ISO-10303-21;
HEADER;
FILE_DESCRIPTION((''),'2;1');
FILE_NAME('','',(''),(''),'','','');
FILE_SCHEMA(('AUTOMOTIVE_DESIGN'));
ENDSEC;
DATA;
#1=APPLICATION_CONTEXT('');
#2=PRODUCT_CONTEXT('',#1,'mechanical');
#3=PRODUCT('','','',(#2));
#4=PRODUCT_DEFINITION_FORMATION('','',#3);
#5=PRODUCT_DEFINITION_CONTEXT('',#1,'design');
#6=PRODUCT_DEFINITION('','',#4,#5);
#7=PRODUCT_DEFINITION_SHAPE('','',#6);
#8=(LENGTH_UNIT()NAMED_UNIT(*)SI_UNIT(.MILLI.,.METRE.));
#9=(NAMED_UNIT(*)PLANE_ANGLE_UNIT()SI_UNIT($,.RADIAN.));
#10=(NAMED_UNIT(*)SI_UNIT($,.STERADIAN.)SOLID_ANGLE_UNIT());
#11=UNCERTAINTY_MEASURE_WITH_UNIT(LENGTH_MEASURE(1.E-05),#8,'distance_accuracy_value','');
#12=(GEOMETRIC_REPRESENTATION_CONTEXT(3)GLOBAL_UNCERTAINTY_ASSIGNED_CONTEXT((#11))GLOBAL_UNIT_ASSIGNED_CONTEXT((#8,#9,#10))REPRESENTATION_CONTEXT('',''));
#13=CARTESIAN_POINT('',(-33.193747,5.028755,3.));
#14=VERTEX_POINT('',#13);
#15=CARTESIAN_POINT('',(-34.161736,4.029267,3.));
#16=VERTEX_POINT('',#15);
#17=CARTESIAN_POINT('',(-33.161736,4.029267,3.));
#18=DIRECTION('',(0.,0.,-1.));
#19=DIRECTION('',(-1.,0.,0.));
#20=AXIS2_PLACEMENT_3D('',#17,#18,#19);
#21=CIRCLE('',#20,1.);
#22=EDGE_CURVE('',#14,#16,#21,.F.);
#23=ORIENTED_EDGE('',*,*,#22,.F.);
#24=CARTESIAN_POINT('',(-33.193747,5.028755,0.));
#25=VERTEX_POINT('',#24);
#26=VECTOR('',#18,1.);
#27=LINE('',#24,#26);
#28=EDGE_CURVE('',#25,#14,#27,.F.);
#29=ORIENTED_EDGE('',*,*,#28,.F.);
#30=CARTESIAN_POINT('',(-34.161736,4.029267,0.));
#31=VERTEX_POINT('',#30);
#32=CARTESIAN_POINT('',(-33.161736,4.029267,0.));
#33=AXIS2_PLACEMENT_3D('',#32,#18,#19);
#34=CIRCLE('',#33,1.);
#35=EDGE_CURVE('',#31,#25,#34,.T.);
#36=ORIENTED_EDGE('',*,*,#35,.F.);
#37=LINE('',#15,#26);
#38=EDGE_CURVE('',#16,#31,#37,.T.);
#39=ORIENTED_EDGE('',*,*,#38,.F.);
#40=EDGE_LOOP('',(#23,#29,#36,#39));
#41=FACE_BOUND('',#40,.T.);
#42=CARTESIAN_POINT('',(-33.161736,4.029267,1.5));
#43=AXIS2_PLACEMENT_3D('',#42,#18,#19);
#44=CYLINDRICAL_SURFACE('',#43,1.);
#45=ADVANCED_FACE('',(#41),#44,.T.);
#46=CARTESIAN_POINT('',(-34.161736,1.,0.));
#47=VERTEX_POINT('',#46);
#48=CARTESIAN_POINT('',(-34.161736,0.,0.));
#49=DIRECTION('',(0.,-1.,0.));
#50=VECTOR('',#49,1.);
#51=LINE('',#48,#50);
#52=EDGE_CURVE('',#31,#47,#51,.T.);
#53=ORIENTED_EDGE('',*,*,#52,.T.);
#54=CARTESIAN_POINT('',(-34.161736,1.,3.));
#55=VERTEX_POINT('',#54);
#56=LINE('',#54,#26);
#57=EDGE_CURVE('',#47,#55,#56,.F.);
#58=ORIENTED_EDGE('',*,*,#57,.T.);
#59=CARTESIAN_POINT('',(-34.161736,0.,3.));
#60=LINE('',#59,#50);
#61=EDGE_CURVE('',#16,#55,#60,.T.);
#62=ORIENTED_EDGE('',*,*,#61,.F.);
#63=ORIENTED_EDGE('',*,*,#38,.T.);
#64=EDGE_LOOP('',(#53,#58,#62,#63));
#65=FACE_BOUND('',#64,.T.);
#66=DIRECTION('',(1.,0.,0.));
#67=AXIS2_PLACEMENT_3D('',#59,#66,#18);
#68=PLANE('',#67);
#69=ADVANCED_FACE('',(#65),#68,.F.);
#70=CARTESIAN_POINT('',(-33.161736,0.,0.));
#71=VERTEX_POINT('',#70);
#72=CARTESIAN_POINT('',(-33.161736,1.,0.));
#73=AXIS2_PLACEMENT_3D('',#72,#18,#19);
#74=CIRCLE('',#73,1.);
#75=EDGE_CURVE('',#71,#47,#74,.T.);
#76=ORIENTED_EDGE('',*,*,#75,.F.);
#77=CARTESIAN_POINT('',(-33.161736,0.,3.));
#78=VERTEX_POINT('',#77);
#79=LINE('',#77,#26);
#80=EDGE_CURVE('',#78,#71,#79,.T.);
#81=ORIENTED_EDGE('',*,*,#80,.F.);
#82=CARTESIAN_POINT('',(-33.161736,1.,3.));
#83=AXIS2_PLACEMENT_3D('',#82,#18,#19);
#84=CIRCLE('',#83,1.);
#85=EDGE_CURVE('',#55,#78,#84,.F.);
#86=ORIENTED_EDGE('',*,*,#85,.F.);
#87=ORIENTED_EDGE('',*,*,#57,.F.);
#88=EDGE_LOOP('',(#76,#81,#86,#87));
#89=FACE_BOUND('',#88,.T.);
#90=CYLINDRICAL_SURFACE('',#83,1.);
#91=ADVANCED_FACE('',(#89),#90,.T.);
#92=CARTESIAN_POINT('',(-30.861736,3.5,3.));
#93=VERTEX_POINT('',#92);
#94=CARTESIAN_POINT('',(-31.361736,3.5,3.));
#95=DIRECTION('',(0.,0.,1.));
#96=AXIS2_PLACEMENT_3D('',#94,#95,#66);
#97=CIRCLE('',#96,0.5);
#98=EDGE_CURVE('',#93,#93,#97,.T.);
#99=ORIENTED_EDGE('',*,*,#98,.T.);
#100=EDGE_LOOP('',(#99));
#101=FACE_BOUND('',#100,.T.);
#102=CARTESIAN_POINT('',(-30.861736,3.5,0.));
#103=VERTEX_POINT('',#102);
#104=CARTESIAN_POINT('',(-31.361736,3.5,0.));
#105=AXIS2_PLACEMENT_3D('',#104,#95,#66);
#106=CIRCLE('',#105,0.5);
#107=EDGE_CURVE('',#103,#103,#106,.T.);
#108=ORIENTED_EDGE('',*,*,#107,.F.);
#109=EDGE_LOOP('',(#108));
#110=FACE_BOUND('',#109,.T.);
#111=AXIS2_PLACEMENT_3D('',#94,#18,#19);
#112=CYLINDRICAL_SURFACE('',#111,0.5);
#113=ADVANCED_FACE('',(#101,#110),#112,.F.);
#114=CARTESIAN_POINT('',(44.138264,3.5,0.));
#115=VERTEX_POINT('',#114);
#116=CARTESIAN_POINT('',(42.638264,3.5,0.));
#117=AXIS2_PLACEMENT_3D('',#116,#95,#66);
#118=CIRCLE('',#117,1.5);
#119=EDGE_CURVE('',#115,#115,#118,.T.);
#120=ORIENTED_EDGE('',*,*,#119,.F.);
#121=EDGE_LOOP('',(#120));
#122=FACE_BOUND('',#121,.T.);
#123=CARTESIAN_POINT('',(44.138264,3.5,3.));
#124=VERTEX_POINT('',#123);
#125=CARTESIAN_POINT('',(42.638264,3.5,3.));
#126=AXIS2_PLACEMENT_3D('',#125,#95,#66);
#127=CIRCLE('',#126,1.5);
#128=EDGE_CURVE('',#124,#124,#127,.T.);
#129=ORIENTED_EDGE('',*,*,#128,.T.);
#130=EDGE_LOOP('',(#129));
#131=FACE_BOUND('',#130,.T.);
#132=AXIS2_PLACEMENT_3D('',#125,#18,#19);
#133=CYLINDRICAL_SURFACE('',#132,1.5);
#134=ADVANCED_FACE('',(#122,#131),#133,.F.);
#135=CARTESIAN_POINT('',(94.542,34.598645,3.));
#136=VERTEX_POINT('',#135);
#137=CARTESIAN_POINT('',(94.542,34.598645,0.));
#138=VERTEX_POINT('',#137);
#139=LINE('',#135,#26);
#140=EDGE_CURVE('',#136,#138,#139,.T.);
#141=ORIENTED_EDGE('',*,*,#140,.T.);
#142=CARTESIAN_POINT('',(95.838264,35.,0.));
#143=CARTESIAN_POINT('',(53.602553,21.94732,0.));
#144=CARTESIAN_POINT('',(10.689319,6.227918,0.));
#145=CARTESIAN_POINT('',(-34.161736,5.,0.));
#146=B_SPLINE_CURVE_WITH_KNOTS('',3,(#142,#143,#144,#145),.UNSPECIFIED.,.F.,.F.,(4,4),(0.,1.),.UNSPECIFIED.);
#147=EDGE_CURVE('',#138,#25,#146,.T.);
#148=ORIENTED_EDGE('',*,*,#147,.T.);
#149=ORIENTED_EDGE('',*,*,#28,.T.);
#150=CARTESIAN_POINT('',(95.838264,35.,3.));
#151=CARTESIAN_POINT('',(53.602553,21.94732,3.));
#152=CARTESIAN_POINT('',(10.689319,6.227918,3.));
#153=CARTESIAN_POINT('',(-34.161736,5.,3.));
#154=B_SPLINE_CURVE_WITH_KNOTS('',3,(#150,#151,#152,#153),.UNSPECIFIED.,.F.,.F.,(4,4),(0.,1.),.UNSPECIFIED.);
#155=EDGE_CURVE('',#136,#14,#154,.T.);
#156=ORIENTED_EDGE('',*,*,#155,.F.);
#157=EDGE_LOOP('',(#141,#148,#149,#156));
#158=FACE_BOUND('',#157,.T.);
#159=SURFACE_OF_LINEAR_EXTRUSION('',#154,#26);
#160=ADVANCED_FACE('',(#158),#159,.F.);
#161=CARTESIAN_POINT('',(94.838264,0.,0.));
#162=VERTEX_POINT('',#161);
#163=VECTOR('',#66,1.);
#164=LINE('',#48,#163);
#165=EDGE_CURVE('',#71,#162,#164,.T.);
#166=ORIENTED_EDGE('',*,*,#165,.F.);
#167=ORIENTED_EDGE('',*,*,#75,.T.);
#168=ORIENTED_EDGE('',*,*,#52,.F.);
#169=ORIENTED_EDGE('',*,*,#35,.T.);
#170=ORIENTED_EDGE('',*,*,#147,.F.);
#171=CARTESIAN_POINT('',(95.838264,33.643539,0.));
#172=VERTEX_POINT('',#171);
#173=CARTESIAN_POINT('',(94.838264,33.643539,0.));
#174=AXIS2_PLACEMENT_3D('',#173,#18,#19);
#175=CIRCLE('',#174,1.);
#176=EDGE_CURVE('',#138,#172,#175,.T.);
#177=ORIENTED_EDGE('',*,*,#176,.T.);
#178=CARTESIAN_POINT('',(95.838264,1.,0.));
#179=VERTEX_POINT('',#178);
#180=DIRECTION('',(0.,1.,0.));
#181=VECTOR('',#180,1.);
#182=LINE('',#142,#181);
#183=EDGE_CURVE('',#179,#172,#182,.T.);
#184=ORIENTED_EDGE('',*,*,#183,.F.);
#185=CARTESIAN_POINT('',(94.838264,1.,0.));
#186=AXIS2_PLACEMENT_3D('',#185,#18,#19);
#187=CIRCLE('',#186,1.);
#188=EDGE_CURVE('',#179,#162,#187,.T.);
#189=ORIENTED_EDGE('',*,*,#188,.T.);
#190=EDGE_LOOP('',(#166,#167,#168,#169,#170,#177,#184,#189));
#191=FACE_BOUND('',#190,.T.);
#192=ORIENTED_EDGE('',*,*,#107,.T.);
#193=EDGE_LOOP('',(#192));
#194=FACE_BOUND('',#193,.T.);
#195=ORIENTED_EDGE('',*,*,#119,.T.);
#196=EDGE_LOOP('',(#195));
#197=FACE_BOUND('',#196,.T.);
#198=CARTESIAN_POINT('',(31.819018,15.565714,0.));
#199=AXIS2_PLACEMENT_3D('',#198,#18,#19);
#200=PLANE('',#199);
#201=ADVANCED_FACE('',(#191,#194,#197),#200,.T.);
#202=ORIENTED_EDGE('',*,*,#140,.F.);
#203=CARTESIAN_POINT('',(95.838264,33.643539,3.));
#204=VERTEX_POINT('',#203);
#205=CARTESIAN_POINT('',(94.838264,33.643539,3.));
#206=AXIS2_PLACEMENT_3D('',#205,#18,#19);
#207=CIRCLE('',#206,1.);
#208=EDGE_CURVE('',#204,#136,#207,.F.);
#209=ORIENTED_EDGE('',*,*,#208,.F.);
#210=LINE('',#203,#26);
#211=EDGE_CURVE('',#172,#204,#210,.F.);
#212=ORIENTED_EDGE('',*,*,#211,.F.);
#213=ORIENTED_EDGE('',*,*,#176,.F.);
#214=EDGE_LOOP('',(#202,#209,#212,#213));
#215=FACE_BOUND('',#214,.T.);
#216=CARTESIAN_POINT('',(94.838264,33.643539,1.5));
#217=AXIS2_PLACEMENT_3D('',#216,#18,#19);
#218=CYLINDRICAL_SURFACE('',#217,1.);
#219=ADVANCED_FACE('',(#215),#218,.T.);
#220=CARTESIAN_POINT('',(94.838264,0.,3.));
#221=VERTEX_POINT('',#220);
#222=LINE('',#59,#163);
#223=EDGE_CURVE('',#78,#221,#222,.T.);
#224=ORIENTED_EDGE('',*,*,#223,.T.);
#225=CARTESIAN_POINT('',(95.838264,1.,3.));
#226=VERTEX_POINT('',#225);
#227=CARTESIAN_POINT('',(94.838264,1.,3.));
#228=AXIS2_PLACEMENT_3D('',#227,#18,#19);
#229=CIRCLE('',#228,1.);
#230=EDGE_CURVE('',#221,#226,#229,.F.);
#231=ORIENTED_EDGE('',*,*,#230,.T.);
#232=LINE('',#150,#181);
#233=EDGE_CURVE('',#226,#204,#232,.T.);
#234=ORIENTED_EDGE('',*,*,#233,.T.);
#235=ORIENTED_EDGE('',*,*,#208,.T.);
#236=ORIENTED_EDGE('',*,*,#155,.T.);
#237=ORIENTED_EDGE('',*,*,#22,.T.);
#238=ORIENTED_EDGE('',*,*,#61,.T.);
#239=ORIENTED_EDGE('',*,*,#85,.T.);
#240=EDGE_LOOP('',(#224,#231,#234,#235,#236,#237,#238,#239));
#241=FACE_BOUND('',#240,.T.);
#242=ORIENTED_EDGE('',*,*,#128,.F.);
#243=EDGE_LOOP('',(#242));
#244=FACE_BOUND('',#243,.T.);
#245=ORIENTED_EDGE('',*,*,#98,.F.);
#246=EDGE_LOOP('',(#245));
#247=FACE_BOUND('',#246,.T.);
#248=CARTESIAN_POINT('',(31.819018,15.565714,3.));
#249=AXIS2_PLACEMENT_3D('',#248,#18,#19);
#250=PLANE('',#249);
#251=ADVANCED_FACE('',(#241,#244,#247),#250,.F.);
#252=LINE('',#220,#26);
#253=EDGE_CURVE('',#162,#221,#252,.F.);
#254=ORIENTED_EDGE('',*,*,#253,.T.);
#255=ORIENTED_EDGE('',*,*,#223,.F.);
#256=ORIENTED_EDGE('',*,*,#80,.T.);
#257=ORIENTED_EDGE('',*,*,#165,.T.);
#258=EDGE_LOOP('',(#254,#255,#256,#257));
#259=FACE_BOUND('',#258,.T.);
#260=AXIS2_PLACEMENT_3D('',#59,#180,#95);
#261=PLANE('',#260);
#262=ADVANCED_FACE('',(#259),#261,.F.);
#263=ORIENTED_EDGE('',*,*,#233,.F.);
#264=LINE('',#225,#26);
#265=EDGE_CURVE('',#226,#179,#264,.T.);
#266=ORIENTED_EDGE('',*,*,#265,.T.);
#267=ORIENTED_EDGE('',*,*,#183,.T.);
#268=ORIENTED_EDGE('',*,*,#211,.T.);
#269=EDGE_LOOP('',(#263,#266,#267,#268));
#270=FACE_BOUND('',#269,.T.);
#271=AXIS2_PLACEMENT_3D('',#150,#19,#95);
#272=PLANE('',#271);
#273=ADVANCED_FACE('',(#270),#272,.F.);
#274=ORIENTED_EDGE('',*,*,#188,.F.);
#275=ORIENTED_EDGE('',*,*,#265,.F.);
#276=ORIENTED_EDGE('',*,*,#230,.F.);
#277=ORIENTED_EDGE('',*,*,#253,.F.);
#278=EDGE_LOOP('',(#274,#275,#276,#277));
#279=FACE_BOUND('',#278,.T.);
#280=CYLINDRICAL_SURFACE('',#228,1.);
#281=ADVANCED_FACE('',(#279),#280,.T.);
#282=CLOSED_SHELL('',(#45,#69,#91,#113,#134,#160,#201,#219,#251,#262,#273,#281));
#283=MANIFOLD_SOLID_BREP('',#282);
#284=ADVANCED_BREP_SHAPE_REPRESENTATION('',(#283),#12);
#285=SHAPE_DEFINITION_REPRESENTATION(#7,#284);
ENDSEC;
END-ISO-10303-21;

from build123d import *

# Parameters (mm, degrees)
SKETCH_1_R      = 0.5
SKETCH_1_R_2    = 1.5
EXTRUDE_1_DEPTH = 3
FILLET_1_R      = 1


with BuildPart() as part:
    # 草图1 → 凸台-拉伸1 (new body)
    with BuildSketch(Plane.XY):
        with BuildLine():
            Line((-34.1617357, 0), (95.8382643, 0))
            Line((95.8382643, 0), (95.8382643, 35))
            add(Edge.make_bspline(
                [(-34.1617357, 5), (10.689319489, 6.2279178), (53.602553401, 21.947320234), (95.8382643, 35)],
                knots=[0, 0, 0, 0, 1, 1, 1, 1], degree=3))
            Line((-34.1617357, 5), (-34.1617357, 0))
        make_face()
        with Locations((-31.3617357, 3.5)):
            Circle(SKETCH_1_R, mode=Mode.SUBTRACT)
        with Locations((42.6382643, 3.5)):
            Circle(SKETCH_1_R_2, mode=Mode.SUBTRACT)
    extrude(amount=EXTRUDE_1_DEPTH)

    # 圆角1
    fillet_1_edges = [part.edges().sort_by_distance(p)[0] for p in [
        (-34.1617357, 0, 1.5),
        (-34.1617357, 5, 1.5),
        (95.8382643, 35, 1.5),
        (95.8382643, 0, 1.5),
    ]]
    fillet(fillet_1_edges, radius=FILLET_1_R)


solid = part.part
